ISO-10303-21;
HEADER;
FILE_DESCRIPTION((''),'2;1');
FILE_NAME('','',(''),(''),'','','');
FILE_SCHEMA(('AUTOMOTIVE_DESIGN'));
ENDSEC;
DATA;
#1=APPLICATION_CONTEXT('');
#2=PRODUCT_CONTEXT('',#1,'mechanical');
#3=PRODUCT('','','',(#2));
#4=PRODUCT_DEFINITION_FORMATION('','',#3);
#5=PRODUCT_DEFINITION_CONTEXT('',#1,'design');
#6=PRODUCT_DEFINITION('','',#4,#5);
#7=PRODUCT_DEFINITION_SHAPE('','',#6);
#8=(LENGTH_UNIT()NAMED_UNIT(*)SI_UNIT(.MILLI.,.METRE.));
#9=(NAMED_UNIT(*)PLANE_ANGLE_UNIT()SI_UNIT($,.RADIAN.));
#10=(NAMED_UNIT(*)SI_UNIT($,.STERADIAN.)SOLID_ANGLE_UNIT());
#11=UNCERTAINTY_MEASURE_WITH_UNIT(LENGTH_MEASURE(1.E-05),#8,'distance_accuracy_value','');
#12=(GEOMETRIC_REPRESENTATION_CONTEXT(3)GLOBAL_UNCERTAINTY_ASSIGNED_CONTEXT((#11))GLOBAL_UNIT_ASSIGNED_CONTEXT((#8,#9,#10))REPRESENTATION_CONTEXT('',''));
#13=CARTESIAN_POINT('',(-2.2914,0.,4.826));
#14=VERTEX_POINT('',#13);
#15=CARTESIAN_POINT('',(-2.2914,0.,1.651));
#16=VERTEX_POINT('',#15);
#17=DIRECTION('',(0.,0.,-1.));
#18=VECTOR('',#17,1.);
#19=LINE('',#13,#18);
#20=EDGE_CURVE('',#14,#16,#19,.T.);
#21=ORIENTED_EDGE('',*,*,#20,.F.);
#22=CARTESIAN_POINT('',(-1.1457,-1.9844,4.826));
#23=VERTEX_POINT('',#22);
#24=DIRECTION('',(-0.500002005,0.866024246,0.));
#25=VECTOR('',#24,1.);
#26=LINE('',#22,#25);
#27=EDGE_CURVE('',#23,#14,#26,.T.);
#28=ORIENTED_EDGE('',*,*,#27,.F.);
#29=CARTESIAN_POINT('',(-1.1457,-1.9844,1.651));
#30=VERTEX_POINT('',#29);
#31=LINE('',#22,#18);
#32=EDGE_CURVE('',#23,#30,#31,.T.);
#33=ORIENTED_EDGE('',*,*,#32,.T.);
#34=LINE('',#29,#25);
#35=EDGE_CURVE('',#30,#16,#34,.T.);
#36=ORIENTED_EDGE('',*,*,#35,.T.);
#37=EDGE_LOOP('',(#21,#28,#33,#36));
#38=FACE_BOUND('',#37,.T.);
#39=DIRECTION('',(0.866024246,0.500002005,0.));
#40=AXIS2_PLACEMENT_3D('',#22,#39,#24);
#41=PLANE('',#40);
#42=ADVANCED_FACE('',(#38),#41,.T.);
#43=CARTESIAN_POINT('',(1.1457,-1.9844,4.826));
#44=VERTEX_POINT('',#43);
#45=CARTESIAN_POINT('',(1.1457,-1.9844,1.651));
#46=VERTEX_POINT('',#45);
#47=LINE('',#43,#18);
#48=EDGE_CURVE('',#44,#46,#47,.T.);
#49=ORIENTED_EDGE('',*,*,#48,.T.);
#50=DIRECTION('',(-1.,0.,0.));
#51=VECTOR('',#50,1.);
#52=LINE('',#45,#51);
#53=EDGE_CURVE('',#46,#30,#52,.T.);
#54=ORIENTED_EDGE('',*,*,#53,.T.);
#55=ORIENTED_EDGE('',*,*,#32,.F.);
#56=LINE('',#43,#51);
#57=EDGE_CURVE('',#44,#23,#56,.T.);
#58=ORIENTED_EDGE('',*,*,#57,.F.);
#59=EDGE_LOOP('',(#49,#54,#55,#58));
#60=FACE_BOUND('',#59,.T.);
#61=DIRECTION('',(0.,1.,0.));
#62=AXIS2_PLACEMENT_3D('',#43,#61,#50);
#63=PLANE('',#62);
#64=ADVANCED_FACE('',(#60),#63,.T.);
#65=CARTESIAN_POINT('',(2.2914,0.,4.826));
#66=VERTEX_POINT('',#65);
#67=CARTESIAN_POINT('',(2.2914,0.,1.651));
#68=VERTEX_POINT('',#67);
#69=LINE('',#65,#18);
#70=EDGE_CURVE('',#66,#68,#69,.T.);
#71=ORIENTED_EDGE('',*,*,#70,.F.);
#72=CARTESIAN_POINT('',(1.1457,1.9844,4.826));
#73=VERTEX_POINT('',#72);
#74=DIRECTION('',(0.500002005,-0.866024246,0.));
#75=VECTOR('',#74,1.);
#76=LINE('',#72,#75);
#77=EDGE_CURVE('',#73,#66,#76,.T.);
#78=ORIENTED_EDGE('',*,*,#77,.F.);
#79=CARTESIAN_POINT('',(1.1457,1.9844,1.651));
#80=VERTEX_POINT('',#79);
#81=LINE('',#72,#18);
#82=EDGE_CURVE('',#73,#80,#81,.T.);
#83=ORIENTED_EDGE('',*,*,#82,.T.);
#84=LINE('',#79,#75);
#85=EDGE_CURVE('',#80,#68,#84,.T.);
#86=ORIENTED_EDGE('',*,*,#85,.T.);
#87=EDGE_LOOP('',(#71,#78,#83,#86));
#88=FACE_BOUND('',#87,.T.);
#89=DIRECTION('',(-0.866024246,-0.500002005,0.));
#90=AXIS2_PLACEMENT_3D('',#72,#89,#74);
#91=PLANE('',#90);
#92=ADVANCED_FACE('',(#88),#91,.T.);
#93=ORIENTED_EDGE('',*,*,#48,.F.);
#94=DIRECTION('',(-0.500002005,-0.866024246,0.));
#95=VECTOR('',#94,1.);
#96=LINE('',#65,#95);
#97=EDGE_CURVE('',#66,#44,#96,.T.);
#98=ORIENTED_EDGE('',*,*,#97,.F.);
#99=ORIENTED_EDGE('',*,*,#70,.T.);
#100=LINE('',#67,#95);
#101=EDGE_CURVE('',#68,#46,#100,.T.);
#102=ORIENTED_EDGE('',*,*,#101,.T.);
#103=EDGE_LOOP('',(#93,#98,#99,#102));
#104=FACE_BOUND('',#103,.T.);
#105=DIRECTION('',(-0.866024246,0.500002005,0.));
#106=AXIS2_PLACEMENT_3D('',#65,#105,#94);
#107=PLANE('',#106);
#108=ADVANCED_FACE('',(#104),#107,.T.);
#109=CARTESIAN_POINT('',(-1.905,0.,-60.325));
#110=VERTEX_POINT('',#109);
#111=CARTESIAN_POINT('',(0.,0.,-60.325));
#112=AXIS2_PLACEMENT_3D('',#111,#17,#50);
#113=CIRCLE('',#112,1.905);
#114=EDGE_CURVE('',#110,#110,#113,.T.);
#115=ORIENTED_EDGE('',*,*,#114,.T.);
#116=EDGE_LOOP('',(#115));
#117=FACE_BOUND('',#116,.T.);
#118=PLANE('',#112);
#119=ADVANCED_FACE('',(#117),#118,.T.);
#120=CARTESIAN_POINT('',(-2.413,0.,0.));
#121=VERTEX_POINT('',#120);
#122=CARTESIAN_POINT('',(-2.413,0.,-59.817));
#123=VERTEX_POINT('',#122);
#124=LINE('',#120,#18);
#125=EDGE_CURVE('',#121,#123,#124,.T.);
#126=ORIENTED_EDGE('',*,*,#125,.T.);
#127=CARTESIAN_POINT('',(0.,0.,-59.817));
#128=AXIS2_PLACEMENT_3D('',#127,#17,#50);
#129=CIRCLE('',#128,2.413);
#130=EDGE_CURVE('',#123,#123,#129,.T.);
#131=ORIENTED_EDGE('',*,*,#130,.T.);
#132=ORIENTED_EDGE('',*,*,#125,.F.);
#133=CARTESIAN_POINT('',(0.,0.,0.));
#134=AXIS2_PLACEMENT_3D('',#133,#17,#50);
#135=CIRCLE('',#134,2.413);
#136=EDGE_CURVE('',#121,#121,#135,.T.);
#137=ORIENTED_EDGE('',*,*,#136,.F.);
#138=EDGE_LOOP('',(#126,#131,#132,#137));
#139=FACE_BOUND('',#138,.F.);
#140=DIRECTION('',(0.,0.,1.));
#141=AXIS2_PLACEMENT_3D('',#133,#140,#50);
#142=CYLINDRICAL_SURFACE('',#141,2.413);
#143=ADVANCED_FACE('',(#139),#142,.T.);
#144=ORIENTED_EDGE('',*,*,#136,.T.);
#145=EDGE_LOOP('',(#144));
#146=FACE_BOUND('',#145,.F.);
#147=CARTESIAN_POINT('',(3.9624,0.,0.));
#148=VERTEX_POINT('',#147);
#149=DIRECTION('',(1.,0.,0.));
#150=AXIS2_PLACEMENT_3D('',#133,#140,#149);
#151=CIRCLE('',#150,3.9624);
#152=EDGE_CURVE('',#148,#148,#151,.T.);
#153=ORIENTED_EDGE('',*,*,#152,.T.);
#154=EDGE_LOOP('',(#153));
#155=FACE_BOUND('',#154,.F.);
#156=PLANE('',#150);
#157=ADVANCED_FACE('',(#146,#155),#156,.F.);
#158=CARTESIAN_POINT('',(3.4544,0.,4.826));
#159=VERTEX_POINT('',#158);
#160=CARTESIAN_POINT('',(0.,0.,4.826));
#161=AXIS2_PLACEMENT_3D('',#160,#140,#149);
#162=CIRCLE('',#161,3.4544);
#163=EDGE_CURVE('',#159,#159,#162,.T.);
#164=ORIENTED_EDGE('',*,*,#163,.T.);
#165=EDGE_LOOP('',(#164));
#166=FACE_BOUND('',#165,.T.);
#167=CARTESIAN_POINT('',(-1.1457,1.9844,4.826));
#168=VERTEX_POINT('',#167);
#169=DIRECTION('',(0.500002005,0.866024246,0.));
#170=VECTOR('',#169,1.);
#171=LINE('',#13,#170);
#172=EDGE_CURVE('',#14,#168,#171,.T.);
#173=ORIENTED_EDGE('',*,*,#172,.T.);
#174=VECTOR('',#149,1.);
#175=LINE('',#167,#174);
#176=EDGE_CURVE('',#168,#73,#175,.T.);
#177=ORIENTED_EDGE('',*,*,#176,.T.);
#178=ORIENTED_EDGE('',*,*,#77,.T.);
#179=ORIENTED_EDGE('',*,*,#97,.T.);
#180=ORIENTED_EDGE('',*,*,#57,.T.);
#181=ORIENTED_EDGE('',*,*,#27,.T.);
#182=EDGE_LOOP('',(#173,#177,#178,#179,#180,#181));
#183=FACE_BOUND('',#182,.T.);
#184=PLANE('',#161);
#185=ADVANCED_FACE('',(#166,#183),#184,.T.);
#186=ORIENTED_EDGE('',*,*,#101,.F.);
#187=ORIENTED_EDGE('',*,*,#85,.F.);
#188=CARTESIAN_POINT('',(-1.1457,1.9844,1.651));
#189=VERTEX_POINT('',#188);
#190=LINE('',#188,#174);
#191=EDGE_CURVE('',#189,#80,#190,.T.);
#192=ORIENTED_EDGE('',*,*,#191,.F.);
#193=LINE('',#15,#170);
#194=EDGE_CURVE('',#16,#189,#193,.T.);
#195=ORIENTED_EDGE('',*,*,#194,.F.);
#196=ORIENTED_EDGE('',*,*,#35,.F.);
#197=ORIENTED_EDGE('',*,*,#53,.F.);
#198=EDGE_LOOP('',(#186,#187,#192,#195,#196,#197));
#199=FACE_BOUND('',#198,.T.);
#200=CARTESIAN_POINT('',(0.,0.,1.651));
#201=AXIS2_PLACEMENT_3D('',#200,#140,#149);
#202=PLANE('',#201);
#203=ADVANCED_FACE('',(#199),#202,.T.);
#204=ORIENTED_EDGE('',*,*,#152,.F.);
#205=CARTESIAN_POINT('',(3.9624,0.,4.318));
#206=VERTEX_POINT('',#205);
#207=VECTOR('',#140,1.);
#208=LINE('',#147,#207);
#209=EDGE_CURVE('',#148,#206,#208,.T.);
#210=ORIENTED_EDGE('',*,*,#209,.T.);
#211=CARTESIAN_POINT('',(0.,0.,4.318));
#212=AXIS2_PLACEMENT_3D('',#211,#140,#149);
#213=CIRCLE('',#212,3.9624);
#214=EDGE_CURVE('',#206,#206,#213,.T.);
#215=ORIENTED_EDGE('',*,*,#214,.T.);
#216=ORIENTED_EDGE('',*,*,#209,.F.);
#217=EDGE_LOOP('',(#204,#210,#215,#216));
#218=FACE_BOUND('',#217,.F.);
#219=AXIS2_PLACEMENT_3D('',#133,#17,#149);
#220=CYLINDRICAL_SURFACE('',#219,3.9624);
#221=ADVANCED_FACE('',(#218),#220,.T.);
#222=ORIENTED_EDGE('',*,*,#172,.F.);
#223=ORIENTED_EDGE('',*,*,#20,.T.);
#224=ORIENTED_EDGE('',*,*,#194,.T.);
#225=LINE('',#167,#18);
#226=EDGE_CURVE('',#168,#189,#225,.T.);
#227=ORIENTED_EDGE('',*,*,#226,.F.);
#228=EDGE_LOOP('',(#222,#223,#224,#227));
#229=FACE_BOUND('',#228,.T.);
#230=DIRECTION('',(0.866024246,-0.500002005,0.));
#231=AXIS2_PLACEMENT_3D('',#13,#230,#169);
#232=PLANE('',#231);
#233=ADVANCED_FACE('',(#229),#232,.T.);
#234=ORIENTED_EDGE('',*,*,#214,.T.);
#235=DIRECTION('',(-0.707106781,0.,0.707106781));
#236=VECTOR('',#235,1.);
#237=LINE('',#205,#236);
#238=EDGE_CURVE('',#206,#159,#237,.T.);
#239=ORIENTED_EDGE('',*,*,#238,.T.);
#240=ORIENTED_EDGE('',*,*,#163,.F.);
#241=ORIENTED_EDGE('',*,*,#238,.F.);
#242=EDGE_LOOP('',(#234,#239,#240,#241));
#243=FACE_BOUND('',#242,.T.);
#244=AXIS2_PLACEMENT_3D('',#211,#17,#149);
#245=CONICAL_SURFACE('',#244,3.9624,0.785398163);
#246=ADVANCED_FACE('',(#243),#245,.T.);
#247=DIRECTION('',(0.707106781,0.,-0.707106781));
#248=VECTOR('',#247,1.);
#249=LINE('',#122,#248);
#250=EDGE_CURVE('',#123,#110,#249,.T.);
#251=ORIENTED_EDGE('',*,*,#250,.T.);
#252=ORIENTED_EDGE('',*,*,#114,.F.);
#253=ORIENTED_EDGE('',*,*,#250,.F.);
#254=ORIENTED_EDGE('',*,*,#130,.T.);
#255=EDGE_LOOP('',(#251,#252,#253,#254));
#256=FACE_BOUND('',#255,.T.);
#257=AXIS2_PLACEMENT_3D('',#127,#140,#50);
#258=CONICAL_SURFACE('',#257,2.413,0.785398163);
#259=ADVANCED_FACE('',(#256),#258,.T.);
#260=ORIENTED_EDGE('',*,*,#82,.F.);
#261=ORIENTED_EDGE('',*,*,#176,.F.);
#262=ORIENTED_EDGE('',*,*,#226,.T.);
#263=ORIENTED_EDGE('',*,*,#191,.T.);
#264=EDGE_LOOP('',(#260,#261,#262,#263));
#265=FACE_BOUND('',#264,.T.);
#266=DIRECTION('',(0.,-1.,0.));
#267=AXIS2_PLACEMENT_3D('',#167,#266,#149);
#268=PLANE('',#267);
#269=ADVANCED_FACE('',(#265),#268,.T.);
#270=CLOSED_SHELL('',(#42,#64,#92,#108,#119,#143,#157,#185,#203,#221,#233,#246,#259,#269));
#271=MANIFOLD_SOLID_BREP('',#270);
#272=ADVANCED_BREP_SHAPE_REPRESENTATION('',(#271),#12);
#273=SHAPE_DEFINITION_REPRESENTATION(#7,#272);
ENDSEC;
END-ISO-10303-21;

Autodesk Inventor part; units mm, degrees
ref_plane "YZ Plane" through (0, 0, 0) normal (1, 0, 0) x (0, 1, 0)
ref_plane "XZ Plane" through (0, 0, 0) normal (0, 1, 0) x (-1, 0, 0)
ref_plane "XY Plane" through (0, 0, 0) normal (0, 0, 1) x (1, 0, 0)
sketch "Sketch1" plane through (0, 0, 0) normal (0, 0, 1) x (1, 0, 0)
  circle A0 centre (0, 0) radius 3.9624
  dimension "d0" = 7.9248
extrude "Extrusion1" add sketch "Sketch1" along normal blind 4.826
sketch "Sketch2" plane through (0, 0, 0) normal (0, 0, -1) x (-1, 0, 0)
  circle A0 centre (0, 0) radius 3.9624 projected
  circle A1 centre (0, 0) radius 2.413
  dimension "d3" = 4.826
extrude "Extrusion2" add sketch "Sketch2" along normal blind 60.325 contours A1
sketch "Sketch3" plane through (0, 0, 4.826) normal (0, 0, 1) x (1, 0, 0)
  circle A0 centre (0, 0) radius 3.9624 projected
  line L0 (-1.1457, 1.9844) -> (1.1457, 1.9844)
  line L1 (1.1457, 1.9844) -> (2.2914, 0)
  line L2 (2.2914, 0) -> (1.1457, -1.9844)
  line L3 (1.1457, -1.9844) -> (-1.1457, -1.9844)
  line L4 (-1.1457, -1.9844) -> (-2.2914, 0)
  line L5 (-2.2914, 0) -> (-1.1457, 1.9844)
  dimension "d6" = 3.9688
extrude "Extrusion3" cut sketch "Sketch3" against normal blind 3.175 contours L0 L1 L2 L3 L4 L5
thread "Thread1" size "10-32 UNF" class "2A" standard "ANSI Unified Screw Threads" length 25.4
chamfer "Chamfer1" distance 0.508 angle 45 1 edges at (2.413, 0, -60.325)
chamfer "Chamfer2" distance 0.508 angle 45 1 edges at (-3.9624, 0, 4.826)
properties part number "10-32 x1000" material "Steel"
